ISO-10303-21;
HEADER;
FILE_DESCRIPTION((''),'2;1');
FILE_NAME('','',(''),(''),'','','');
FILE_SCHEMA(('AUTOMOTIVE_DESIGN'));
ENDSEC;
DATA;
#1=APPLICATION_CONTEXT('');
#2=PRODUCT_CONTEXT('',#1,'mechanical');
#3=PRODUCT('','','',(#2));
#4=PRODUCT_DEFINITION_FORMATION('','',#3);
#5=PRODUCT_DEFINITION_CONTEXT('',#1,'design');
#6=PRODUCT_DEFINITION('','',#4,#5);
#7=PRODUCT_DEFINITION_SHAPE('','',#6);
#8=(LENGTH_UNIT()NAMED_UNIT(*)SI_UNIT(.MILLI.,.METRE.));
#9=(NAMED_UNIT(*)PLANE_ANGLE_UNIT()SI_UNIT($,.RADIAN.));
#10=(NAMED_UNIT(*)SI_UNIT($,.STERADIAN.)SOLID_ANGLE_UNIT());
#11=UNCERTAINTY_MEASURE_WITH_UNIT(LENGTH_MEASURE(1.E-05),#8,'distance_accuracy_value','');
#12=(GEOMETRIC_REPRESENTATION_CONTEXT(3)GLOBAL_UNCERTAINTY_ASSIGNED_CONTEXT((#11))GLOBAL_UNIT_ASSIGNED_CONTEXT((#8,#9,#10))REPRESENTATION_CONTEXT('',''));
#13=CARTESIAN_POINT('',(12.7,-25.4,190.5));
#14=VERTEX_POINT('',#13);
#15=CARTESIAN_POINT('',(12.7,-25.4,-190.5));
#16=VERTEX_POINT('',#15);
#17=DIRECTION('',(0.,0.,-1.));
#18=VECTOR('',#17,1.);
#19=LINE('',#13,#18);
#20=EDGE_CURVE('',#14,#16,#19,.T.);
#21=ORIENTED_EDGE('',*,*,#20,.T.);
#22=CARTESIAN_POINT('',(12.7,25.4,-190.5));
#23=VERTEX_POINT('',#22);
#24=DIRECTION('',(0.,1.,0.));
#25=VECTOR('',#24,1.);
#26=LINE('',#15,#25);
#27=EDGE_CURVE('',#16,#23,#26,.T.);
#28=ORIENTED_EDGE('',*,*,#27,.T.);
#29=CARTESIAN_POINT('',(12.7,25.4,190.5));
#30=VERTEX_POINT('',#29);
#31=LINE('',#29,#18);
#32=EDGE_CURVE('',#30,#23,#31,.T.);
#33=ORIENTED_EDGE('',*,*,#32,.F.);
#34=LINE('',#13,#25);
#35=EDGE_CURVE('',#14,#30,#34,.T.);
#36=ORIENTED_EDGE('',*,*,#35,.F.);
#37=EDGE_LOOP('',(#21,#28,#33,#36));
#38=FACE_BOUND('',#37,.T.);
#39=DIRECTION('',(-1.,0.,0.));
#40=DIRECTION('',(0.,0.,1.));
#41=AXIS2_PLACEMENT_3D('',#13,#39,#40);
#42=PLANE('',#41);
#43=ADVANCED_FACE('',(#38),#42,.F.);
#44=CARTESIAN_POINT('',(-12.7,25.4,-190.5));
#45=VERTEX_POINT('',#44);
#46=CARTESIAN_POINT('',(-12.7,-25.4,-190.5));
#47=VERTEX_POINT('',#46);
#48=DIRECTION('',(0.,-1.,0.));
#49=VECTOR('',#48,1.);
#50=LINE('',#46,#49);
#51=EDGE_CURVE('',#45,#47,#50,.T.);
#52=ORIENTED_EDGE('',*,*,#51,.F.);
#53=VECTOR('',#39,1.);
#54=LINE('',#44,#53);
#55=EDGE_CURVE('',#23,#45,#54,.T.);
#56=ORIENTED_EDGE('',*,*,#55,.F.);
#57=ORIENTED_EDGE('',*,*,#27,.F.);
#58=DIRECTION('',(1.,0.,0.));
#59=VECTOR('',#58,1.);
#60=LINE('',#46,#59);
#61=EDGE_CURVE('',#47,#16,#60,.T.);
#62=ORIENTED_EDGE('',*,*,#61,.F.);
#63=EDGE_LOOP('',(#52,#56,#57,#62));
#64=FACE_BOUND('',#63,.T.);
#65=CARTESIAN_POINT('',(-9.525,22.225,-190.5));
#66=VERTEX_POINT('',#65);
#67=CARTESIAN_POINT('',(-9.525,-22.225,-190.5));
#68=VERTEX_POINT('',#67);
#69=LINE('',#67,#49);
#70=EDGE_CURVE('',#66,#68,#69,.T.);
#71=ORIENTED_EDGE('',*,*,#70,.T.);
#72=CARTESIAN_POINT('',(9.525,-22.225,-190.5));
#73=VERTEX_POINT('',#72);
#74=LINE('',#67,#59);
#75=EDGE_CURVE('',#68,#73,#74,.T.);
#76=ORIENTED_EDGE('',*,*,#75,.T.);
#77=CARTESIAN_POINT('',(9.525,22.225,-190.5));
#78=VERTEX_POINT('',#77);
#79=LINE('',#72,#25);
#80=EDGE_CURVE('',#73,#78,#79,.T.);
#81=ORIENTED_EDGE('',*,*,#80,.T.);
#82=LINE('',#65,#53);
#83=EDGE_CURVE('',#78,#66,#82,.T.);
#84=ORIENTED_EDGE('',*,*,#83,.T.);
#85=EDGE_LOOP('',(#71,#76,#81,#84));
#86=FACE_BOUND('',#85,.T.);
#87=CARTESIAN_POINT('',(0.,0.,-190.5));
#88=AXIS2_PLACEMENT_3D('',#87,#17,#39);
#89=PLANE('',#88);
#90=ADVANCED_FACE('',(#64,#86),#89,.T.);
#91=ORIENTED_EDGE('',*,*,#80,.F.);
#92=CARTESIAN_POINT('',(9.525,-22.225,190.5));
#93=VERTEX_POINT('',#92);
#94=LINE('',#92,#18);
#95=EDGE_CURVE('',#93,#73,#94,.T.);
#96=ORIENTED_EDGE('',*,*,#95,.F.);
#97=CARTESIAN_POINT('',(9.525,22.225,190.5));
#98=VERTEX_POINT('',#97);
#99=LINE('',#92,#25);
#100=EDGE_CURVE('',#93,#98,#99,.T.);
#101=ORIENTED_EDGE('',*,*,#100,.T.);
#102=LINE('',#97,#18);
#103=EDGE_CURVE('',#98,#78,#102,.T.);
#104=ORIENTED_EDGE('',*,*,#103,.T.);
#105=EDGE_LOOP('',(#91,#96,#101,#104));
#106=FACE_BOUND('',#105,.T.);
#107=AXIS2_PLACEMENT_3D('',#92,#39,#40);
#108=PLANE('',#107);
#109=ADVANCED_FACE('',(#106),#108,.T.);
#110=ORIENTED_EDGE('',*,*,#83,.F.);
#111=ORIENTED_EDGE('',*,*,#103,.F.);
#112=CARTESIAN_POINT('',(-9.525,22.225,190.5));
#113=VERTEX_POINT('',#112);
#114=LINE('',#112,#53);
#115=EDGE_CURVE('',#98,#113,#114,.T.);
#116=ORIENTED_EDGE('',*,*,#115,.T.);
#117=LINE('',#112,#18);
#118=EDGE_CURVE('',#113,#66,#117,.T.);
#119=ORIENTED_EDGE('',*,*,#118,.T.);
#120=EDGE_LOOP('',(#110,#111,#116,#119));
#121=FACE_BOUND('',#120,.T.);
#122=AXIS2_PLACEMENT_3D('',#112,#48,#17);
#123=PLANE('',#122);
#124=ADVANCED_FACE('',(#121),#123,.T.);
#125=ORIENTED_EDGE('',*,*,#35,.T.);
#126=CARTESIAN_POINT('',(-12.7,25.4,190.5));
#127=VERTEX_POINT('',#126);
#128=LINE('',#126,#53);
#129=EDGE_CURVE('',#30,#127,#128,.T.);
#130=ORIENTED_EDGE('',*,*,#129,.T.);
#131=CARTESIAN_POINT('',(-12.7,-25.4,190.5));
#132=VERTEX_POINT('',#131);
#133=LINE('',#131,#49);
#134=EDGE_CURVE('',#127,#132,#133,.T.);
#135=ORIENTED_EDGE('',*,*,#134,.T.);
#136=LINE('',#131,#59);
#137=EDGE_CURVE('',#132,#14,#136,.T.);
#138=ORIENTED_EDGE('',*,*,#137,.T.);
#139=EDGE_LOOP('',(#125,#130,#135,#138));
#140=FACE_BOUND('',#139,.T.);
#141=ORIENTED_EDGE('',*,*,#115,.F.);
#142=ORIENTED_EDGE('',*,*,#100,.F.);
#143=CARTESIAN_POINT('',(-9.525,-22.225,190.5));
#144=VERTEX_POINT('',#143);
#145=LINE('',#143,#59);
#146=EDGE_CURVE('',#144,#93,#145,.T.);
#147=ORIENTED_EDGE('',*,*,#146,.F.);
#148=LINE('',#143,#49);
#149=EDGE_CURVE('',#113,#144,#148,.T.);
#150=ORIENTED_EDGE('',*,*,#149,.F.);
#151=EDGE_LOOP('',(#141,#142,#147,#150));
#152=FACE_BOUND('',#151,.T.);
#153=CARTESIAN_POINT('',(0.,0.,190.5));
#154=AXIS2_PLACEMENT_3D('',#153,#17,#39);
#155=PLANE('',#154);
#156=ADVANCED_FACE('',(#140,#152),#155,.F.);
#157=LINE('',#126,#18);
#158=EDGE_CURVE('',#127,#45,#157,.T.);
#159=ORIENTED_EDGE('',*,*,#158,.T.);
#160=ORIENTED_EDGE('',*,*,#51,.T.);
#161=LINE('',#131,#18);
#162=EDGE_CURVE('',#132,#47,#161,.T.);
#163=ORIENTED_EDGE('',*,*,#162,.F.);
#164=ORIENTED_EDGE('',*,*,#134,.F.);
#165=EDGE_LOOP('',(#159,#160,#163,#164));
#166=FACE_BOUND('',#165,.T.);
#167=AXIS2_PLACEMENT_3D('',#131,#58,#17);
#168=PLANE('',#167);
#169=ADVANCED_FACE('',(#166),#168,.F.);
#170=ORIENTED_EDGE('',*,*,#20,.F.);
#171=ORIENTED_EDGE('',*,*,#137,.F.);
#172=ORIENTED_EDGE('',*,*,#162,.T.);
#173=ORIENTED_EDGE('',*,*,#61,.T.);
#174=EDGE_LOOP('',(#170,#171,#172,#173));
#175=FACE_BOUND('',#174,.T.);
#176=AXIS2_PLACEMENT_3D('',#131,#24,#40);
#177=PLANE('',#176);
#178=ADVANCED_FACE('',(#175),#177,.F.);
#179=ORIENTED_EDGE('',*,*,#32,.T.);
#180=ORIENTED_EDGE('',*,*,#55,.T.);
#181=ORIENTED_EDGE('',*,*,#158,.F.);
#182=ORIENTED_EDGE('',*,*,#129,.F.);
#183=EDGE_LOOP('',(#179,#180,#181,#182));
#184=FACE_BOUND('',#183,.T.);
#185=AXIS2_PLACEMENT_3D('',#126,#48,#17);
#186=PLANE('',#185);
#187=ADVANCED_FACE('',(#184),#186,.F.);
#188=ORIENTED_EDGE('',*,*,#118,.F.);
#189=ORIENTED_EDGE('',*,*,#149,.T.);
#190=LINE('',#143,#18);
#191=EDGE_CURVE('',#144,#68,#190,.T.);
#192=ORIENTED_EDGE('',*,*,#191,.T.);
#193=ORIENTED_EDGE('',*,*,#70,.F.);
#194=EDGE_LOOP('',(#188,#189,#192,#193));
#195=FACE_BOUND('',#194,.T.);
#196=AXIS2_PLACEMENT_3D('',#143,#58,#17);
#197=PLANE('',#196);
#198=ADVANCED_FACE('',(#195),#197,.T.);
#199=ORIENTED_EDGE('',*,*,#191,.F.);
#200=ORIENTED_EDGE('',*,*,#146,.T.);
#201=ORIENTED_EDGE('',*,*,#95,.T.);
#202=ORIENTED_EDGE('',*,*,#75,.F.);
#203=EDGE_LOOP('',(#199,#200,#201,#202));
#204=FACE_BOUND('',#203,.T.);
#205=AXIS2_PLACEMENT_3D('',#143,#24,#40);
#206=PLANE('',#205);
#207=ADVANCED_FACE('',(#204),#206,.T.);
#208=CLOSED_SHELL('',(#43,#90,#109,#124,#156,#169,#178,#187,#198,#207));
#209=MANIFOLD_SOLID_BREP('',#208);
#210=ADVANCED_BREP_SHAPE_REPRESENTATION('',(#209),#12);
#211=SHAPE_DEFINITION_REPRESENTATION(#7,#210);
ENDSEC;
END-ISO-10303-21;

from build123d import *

# Parameters (mm, degrees)
SKETCH2_W           = 25.4
SKETCH2_H           = 50.8
SKETCH2_W_2         = 19.05
SKETCH2_H_2         = 44.45
BOSS_EXTRUDE1_DEPTH = 190.5


with BuildPart() as part:
    # Sketch2 → Boss-Extrude1 (new, symmetric)
    with BuildSketch(Plane.XY):
        Rectangle(SKETCH2_W, SKETCH2_H)
        Rectangle(SKETCH2_W_2, SKETCH2_H_2, mode=Mode.SUBTRACT)
    extrude(amount=BOSS_EXTRUDE1_DEPTH, both=True)


solid = part.part
